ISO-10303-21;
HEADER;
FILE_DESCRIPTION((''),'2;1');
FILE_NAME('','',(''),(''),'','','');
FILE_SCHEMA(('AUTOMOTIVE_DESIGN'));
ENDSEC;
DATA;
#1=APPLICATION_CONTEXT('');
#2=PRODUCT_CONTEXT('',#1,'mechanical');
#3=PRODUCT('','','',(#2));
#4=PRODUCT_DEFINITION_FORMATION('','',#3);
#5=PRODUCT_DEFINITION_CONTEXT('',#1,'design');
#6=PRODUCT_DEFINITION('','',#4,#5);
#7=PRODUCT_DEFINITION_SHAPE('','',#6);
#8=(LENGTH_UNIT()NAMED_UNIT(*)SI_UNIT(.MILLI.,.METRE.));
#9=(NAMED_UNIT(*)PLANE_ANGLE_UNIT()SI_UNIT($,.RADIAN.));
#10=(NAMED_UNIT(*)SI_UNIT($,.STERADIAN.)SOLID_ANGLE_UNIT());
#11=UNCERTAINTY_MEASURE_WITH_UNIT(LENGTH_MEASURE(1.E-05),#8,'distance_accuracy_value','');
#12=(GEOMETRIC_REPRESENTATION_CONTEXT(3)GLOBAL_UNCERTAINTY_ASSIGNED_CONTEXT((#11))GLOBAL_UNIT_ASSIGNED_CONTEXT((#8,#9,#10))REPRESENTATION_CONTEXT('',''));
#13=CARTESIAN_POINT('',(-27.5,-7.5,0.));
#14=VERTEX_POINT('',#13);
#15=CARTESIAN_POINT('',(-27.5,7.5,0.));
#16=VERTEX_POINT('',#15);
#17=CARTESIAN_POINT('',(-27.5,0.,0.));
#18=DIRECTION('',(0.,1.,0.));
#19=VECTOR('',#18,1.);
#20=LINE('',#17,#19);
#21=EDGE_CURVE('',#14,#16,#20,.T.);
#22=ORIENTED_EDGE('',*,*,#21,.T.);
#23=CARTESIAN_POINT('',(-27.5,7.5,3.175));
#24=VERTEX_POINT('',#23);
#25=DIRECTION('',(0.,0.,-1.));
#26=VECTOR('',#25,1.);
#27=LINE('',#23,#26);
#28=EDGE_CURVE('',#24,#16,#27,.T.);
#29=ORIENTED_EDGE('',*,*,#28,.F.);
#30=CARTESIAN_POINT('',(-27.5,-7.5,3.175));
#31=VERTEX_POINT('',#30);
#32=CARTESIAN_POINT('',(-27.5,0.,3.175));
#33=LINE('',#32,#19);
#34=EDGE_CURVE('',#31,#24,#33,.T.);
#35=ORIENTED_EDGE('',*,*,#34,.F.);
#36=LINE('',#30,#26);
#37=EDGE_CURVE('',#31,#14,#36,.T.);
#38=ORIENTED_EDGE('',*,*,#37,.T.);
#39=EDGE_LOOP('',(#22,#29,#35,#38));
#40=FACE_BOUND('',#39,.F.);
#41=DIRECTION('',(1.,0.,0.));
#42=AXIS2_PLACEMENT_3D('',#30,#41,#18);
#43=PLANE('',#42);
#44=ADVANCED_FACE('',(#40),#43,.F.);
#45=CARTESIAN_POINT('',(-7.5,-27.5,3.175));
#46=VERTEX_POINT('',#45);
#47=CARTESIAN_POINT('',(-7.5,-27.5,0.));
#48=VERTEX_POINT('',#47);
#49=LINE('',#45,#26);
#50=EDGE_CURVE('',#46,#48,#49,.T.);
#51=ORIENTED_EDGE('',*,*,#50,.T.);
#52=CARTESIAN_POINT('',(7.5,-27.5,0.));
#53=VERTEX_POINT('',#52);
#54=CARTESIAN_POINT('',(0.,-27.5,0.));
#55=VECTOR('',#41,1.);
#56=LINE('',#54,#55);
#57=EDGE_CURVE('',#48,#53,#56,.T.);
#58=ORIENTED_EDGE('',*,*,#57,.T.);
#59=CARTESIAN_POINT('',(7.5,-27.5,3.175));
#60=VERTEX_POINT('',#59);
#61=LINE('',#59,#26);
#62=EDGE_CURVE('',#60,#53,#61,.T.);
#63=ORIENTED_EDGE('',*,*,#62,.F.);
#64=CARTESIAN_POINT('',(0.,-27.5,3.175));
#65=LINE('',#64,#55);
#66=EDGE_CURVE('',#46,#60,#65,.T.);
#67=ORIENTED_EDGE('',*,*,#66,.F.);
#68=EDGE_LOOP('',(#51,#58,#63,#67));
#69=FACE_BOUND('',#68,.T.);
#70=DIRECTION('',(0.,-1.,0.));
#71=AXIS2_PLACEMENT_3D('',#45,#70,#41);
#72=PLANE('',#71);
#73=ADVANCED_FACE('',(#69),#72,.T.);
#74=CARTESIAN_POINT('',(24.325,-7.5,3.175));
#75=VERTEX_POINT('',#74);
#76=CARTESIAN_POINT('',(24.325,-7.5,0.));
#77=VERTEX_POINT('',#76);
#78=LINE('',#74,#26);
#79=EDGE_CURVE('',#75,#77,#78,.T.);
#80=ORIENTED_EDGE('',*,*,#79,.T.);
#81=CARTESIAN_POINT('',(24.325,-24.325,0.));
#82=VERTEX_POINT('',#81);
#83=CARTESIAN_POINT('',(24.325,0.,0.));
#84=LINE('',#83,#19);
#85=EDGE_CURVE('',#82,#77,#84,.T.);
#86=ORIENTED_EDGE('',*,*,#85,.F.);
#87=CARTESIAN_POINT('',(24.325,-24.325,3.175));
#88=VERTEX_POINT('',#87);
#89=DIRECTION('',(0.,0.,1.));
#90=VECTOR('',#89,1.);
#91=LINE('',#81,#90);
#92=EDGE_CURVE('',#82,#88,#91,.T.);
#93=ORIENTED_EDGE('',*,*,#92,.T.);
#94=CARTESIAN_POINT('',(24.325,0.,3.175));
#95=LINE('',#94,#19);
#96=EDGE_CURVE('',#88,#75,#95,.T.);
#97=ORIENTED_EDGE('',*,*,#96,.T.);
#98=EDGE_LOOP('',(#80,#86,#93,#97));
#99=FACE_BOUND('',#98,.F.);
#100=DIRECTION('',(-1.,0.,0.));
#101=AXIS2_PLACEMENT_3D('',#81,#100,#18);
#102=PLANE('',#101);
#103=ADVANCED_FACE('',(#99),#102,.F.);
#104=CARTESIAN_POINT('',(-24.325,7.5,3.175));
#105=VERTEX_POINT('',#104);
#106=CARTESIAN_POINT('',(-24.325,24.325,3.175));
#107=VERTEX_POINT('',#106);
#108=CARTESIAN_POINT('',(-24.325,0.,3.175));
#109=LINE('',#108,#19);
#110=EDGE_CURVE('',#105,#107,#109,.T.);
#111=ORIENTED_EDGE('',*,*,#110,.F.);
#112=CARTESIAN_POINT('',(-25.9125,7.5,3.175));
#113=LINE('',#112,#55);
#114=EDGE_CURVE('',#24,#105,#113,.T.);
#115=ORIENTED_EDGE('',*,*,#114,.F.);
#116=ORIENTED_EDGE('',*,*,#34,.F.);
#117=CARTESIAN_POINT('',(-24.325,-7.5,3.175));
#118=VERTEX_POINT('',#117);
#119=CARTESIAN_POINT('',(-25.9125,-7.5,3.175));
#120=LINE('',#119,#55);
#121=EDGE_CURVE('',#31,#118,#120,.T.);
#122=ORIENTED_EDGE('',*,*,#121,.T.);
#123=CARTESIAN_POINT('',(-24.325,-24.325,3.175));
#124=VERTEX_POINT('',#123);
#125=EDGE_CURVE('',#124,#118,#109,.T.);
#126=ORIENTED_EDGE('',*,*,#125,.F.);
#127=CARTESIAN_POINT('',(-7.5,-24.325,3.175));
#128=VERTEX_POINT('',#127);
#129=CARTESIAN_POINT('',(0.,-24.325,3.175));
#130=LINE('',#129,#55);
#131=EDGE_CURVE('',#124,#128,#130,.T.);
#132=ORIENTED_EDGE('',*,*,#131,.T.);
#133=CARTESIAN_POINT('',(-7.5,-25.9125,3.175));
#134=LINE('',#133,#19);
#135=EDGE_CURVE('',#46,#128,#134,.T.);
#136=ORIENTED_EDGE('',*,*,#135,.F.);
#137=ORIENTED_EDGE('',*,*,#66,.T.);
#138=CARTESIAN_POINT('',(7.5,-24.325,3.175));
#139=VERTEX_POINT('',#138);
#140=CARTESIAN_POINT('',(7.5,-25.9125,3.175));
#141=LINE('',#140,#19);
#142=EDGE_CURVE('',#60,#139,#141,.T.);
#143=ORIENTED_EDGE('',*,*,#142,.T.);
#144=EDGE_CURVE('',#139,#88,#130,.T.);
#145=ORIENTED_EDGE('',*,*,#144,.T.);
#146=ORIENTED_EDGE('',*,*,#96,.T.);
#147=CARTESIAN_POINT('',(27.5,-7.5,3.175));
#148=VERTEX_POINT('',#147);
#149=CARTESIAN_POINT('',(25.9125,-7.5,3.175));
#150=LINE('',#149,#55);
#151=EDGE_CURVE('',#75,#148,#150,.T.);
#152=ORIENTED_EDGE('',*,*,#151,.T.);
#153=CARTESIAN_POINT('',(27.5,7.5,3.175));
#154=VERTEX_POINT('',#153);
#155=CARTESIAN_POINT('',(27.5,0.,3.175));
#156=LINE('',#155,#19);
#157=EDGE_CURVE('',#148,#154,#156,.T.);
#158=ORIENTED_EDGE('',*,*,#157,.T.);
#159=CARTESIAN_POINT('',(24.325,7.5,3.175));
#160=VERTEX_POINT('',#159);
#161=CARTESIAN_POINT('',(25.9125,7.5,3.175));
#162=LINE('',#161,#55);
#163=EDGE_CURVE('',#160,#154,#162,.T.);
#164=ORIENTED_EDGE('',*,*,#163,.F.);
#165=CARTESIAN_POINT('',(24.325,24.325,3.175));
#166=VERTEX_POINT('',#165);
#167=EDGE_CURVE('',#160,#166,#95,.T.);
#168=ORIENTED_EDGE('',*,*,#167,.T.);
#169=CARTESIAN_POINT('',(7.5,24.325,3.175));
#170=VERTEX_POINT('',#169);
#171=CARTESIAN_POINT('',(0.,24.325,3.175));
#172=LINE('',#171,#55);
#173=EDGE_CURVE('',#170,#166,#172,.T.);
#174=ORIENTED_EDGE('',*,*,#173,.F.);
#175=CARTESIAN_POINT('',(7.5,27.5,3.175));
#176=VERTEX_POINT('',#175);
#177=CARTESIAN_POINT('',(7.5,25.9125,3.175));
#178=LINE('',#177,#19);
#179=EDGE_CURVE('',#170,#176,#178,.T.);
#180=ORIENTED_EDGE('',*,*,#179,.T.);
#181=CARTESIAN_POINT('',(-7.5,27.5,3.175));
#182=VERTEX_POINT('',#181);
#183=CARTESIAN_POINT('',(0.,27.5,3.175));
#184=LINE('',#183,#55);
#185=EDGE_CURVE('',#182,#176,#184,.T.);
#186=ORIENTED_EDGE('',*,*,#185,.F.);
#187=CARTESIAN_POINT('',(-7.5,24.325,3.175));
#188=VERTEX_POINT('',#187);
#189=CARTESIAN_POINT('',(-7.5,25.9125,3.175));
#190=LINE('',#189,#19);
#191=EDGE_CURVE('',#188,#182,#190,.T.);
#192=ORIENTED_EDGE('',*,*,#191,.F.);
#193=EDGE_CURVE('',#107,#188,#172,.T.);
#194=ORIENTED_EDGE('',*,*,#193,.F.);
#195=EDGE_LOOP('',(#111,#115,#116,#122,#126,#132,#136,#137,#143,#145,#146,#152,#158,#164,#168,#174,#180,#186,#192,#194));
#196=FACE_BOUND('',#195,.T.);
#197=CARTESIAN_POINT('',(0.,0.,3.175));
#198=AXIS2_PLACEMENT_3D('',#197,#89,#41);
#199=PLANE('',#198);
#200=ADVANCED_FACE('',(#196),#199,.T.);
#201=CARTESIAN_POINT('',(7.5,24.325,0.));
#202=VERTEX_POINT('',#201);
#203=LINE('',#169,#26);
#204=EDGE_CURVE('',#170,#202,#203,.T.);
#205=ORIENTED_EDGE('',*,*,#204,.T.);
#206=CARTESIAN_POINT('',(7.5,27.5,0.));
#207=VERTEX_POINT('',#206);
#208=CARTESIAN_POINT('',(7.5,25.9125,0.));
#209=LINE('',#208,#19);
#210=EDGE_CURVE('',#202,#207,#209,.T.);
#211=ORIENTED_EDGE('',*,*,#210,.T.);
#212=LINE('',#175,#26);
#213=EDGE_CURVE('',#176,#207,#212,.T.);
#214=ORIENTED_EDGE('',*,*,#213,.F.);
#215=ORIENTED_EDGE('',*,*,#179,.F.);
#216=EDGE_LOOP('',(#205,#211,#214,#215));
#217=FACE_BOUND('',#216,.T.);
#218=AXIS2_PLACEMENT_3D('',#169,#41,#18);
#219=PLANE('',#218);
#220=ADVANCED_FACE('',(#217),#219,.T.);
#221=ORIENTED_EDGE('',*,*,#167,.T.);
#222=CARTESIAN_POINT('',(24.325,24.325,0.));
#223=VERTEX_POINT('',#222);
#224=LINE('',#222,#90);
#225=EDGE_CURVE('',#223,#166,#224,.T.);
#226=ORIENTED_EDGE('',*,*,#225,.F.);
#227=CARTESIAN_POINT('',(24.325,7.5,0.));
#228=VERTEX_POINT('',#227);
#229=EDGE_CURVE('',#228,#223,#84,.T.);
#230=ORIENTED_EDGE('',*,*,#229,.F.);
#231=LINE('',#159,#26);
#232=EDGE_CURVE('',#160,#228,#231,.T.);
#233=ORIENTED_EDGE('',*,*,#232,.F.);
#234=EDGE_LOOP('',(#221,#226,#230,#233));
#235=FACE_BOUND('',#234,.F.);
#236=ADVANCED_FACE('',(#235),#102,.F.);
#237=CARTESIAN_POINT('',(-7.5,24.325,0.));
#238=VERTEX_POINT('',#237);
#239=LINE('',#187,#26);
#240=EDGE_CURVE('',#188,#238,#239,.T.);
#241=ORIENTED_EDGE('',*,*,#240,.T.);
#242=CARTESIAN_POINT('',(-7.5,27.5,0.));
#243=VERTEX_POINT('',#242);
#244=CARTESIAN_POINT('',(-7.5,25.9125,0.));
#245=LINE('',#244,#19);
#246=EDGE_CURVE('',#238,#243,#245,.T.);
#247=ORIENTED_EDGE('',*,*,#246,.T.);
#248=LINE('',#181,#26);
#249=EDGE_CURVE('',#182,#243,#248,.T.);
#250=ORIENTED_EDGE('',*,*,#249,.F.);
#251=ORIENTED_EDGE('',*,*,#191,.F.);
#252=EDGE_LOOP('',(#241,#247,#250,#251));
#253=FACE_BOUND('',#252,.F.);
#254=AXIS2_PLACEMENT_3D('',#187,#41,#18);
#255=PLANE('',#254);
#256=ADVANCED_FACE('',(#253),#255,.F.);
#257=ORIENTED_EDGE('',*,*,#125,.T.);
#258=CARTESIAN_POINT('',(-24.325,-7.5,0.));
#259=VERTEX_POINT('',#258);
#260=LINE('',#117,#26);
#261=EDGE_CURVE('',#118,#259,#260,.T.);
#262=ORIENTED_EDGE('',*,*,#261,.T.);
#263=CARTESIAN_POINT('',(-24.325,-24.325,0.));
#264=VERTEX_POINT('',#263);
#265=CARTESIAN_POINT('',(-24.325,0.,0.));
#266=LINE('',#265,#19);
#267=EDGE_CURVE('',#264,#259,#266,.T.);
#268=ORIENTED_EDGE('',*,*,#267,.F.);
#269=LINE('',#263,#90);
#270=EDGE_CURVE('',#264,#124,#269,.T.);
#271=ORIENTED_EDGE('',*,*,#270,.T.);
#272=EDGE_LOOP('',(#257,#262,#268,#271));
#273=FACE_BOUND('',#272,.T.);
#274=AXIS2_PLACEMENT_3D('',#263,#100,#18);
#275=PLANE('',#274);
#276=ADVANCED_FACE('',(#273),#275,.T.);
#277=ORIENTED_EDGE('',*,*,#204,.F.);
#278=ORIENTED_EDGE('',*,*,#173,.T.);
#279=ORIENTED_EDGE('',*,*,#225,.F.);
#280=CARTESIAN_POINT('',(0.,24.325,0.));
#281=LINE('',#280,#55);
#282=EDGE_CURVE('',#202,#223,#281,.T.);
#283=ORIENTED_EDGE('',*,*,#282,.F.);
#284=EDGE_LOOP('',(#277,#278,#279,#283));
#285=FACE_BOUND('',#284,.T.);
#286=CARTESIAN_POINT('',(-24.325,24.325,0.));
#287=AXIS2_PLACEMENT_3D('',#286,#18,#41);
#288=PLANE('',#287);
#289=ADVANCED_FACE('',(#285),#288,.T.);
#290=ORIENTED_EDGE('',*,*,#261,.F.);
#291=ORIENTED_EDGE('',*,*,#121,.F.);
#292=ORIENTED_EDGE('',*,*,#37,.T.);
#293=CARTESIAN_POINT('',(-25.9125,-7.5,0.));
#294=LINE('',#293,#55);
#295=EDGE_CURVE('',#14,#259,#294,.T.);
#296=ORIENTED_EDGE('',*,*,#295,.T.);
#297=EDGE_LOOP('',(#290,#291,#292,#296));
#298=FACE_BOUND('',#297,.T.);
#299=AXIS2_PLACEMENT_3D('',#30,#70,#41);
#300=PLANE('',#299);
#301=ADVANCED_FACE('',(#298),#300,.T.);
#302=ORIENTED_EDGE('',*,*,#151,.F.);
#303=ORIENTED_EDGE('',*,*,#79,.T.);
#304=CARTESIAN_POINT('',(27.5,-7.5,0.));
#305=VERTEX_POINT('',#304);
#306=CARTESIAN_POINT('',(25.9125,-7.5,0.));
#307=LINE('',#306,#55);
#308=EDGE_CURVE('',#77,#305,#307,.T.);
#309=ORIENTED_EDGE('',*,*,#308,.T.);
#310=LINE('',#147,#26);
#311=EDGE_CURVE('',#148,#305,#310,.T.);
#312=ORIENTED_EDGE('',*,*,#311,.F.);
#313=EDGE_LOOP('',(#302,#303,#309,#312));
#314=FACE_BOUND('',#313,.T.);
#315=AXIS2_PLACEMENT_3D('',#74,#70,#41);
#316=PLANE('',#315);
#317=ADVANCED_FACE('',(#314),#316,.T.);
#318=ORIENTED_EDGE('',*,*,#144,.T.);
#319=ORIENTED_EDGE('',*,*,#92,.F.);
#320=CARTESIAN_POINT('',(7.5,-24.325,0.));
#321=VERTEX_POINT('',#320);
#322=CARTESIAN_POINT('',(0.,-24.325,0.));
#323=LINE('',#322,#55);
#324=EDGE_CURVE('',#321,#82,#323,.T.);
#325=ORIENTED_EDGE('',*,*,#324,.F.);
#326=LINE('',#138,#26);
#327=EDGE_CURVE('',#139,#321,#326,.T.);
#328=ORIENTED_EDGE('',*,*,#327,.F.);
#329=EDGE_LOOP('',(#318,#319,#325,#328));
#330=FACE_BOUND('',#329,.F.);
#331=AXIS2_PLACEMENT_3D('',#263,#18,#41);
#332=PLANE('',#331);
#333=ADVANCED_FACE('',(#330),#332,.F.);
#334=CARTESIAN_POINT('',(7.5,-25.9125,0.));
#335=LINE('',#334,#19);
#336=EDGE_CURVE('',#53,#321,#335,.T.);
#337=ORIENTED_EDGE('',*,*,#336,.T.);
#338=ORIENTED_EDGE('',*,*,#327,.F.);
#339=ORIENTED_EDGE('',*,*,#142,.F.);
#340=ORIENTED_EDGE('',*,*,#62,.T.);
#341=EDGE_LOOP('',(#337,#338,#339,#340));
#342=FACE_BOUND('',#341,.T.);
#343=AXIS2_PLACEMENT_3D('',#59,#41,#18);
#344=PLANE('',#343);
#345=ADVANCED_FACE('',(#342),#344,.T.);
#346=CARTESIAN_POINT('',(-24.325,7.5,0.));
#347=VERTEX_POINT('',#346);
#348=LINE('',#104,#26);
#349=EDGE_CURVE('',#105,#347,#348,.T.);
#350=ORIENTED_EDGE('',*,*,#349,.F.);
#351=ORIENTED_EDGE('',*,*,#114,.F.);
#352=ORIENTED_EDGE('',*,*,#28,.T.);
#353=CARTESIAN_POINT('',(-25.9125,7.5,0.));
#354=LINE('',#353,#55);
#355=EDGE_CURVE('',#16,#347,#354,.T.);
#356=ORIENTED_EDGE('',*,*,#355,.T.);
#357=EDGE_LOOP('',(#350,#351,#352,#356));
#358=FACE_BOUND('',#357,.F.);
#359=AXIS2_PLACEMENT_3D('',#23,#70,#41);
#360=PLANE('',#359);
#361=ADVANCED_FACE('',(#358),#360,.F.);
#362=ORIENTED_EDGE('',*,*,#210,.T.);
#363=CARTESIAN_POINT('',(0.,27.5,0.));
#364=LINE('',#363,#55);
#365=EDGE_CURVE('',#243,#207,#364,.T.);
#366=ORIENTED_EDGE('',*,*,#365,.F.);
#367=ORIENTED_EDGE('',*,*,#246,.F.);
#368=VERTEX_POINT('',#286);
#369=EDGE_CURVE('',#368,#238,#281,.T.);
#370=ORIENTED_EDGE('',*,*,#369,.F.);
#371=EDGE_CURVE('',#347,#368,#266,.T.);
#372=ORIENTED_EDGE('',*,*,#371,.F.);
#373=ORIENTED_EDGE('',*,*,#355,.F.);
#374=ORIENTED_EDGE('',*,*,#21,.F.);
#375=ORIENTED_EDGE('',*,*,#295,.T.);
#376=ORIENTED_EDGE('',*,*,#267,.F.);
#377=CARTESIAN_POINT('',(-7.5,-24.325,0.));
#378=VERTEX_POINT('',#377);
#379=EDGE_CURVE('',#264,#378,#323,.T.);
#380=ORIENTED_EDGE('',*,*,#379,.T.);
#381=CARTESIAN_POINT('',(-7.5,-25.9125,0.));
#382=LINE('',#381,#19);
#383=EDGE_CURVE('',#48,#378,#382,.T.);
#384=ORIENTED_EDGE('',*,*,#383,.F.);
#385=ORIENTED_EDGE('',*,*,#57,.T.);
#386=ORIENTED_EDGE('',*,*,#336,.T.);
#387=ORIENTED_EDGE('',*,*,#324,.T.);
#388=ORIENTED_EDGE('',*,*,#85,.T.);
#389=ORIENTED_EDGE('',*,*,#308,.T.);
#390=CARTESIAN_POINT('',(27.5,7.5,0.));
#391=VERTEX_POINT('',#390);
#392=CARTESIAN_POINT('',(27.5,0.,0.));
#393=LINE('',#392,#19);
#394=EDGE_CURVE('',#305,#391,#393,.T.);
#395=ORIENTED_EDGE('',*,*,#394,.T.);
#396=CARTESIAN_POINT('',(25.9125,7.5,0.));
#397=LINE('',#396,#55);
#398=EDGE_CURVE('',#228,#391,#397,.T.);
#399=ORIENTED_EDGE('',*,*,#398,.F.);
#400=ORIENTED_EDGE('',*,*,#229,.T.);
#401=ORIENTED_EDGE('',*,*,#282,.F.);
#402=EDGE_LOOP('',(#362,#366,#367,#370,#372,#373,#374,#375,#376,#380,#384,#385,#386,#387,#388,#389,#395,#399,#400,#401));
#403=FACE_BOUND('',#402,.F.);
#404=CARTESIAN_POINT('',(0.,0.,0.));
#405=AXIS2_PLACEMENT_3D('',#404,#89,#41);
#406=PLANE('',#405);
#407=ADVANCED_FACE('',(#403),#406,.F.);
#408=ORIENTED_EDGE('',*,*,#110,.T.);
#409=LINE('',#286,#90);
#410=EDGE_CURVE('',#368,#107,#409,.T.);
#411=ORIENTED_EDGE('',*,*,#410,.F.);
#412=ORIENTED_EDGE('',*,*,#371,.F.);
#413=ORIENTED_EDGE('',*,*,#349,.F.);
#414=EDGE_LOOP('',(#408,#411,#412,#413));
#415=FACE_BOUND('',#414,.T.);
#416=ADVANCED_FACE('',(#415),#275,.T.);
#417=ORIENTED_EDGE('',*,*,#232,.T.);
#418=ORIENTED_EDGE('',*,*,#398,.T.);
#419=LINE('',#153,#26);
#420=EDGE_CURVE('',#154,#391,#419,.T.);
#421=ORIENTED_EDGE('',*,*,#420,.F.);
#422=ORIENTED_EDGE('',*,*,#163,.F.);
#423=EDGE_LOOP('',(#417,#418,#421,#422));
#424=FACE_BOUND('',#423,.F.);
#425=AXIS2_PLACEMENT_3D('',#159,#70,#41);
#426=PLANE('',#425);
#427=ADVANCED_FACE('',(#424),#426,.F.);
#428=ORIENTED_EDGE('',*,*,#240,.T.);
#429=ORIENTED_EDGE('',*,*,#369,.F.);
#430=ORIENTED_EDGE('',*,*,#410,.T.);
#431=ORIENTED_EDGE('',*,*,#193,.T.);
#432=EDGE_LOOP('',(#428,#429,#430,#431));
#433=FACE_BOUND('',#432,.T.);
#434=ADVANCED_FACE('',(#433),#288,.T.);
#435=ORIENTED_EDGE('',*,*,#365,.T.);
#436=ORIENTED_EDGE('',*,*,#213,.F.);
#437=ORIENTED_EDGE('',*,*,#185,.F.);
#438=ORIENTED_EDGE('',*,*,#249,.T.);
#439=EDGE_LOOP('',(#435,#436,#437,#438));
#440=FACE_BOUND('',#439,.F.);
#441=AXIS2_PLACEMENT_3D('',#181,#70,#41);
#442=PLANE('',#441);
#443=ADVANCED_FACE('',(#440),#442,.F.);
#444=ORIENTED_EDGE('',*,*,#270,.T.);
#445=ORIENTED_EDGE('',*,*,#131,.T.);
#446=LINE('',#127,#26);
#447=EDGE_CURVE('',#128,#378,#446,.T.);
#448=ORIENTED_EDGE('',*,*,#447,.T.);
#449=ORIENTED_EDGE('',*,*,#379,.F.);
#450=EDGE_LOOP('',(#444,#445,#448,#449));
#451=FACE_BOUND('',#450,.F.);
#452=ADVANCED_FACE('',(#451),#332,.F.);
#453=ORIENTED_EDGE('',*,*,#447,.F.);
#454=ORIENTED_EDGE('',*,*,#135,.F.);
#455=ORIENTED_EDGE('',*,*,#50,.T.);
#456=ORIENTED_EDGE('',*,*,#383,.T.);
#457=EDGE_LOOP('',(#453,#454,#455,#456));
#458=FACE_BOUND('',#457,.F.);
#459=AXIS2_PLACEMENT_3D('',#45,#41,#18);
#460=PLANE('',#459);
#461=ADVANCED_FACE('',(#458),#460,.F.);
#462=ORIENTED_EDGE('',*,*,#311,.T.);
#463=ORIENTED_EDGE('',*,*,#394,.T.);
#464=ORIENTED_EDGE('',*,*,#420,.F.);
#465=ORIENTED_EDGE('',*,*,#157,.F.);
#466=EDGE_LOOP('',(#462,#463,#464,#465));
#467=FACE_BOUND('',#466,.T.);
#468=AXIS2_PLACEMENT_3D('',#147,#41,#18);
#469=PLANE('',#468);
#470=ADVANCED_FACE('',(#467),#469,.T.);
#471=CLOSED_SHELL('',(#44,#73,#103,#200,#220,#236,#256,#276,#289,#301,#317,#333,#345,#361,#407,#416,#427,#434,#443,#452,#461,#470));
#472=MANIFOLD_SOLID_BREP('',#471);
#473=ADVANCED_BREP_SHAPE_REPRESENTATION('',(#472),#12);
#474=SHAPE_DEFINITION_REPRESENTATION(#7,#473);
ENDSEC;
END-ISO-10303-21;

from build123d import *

# Parameters (mm, degrees)
F1_W     = 48.65
F1_H     = 48.65
F2_DEPTH = 3.175
F3_W     = 3.175
F3_H     = 15
F3_W_2   = 15
F3_H_2   = 3.175
F4_DEPTH = 3.175


with BuildPart() as f2:
    # F1 (on Top) → F2 (new body)
    with BuildSketch(Plane.XY):
        Rectangle(F1_W, F1_H)
    extrude(amount=F2_DEPTH)

    # F3 (on face) → F4 (join, through all)
    with BuildSketch(Plane.XY.offset(3.175)):
        with Locations((-25.9125, 0)):
            Rectangle(F3_W, F3_H)
        with Locations((0, 25.9125)):
            Rectangle(F3_W_2, F3_H_2)
        with Locations((0, -25.9125)):
            Rectangle(F3_W_2, F3_H_2)
        with Locations((25.9125, 0)):
            Rectangle(F3_W, F3_H)
    extrude(amount=-F4_DEPTH)


solid = f2.part
